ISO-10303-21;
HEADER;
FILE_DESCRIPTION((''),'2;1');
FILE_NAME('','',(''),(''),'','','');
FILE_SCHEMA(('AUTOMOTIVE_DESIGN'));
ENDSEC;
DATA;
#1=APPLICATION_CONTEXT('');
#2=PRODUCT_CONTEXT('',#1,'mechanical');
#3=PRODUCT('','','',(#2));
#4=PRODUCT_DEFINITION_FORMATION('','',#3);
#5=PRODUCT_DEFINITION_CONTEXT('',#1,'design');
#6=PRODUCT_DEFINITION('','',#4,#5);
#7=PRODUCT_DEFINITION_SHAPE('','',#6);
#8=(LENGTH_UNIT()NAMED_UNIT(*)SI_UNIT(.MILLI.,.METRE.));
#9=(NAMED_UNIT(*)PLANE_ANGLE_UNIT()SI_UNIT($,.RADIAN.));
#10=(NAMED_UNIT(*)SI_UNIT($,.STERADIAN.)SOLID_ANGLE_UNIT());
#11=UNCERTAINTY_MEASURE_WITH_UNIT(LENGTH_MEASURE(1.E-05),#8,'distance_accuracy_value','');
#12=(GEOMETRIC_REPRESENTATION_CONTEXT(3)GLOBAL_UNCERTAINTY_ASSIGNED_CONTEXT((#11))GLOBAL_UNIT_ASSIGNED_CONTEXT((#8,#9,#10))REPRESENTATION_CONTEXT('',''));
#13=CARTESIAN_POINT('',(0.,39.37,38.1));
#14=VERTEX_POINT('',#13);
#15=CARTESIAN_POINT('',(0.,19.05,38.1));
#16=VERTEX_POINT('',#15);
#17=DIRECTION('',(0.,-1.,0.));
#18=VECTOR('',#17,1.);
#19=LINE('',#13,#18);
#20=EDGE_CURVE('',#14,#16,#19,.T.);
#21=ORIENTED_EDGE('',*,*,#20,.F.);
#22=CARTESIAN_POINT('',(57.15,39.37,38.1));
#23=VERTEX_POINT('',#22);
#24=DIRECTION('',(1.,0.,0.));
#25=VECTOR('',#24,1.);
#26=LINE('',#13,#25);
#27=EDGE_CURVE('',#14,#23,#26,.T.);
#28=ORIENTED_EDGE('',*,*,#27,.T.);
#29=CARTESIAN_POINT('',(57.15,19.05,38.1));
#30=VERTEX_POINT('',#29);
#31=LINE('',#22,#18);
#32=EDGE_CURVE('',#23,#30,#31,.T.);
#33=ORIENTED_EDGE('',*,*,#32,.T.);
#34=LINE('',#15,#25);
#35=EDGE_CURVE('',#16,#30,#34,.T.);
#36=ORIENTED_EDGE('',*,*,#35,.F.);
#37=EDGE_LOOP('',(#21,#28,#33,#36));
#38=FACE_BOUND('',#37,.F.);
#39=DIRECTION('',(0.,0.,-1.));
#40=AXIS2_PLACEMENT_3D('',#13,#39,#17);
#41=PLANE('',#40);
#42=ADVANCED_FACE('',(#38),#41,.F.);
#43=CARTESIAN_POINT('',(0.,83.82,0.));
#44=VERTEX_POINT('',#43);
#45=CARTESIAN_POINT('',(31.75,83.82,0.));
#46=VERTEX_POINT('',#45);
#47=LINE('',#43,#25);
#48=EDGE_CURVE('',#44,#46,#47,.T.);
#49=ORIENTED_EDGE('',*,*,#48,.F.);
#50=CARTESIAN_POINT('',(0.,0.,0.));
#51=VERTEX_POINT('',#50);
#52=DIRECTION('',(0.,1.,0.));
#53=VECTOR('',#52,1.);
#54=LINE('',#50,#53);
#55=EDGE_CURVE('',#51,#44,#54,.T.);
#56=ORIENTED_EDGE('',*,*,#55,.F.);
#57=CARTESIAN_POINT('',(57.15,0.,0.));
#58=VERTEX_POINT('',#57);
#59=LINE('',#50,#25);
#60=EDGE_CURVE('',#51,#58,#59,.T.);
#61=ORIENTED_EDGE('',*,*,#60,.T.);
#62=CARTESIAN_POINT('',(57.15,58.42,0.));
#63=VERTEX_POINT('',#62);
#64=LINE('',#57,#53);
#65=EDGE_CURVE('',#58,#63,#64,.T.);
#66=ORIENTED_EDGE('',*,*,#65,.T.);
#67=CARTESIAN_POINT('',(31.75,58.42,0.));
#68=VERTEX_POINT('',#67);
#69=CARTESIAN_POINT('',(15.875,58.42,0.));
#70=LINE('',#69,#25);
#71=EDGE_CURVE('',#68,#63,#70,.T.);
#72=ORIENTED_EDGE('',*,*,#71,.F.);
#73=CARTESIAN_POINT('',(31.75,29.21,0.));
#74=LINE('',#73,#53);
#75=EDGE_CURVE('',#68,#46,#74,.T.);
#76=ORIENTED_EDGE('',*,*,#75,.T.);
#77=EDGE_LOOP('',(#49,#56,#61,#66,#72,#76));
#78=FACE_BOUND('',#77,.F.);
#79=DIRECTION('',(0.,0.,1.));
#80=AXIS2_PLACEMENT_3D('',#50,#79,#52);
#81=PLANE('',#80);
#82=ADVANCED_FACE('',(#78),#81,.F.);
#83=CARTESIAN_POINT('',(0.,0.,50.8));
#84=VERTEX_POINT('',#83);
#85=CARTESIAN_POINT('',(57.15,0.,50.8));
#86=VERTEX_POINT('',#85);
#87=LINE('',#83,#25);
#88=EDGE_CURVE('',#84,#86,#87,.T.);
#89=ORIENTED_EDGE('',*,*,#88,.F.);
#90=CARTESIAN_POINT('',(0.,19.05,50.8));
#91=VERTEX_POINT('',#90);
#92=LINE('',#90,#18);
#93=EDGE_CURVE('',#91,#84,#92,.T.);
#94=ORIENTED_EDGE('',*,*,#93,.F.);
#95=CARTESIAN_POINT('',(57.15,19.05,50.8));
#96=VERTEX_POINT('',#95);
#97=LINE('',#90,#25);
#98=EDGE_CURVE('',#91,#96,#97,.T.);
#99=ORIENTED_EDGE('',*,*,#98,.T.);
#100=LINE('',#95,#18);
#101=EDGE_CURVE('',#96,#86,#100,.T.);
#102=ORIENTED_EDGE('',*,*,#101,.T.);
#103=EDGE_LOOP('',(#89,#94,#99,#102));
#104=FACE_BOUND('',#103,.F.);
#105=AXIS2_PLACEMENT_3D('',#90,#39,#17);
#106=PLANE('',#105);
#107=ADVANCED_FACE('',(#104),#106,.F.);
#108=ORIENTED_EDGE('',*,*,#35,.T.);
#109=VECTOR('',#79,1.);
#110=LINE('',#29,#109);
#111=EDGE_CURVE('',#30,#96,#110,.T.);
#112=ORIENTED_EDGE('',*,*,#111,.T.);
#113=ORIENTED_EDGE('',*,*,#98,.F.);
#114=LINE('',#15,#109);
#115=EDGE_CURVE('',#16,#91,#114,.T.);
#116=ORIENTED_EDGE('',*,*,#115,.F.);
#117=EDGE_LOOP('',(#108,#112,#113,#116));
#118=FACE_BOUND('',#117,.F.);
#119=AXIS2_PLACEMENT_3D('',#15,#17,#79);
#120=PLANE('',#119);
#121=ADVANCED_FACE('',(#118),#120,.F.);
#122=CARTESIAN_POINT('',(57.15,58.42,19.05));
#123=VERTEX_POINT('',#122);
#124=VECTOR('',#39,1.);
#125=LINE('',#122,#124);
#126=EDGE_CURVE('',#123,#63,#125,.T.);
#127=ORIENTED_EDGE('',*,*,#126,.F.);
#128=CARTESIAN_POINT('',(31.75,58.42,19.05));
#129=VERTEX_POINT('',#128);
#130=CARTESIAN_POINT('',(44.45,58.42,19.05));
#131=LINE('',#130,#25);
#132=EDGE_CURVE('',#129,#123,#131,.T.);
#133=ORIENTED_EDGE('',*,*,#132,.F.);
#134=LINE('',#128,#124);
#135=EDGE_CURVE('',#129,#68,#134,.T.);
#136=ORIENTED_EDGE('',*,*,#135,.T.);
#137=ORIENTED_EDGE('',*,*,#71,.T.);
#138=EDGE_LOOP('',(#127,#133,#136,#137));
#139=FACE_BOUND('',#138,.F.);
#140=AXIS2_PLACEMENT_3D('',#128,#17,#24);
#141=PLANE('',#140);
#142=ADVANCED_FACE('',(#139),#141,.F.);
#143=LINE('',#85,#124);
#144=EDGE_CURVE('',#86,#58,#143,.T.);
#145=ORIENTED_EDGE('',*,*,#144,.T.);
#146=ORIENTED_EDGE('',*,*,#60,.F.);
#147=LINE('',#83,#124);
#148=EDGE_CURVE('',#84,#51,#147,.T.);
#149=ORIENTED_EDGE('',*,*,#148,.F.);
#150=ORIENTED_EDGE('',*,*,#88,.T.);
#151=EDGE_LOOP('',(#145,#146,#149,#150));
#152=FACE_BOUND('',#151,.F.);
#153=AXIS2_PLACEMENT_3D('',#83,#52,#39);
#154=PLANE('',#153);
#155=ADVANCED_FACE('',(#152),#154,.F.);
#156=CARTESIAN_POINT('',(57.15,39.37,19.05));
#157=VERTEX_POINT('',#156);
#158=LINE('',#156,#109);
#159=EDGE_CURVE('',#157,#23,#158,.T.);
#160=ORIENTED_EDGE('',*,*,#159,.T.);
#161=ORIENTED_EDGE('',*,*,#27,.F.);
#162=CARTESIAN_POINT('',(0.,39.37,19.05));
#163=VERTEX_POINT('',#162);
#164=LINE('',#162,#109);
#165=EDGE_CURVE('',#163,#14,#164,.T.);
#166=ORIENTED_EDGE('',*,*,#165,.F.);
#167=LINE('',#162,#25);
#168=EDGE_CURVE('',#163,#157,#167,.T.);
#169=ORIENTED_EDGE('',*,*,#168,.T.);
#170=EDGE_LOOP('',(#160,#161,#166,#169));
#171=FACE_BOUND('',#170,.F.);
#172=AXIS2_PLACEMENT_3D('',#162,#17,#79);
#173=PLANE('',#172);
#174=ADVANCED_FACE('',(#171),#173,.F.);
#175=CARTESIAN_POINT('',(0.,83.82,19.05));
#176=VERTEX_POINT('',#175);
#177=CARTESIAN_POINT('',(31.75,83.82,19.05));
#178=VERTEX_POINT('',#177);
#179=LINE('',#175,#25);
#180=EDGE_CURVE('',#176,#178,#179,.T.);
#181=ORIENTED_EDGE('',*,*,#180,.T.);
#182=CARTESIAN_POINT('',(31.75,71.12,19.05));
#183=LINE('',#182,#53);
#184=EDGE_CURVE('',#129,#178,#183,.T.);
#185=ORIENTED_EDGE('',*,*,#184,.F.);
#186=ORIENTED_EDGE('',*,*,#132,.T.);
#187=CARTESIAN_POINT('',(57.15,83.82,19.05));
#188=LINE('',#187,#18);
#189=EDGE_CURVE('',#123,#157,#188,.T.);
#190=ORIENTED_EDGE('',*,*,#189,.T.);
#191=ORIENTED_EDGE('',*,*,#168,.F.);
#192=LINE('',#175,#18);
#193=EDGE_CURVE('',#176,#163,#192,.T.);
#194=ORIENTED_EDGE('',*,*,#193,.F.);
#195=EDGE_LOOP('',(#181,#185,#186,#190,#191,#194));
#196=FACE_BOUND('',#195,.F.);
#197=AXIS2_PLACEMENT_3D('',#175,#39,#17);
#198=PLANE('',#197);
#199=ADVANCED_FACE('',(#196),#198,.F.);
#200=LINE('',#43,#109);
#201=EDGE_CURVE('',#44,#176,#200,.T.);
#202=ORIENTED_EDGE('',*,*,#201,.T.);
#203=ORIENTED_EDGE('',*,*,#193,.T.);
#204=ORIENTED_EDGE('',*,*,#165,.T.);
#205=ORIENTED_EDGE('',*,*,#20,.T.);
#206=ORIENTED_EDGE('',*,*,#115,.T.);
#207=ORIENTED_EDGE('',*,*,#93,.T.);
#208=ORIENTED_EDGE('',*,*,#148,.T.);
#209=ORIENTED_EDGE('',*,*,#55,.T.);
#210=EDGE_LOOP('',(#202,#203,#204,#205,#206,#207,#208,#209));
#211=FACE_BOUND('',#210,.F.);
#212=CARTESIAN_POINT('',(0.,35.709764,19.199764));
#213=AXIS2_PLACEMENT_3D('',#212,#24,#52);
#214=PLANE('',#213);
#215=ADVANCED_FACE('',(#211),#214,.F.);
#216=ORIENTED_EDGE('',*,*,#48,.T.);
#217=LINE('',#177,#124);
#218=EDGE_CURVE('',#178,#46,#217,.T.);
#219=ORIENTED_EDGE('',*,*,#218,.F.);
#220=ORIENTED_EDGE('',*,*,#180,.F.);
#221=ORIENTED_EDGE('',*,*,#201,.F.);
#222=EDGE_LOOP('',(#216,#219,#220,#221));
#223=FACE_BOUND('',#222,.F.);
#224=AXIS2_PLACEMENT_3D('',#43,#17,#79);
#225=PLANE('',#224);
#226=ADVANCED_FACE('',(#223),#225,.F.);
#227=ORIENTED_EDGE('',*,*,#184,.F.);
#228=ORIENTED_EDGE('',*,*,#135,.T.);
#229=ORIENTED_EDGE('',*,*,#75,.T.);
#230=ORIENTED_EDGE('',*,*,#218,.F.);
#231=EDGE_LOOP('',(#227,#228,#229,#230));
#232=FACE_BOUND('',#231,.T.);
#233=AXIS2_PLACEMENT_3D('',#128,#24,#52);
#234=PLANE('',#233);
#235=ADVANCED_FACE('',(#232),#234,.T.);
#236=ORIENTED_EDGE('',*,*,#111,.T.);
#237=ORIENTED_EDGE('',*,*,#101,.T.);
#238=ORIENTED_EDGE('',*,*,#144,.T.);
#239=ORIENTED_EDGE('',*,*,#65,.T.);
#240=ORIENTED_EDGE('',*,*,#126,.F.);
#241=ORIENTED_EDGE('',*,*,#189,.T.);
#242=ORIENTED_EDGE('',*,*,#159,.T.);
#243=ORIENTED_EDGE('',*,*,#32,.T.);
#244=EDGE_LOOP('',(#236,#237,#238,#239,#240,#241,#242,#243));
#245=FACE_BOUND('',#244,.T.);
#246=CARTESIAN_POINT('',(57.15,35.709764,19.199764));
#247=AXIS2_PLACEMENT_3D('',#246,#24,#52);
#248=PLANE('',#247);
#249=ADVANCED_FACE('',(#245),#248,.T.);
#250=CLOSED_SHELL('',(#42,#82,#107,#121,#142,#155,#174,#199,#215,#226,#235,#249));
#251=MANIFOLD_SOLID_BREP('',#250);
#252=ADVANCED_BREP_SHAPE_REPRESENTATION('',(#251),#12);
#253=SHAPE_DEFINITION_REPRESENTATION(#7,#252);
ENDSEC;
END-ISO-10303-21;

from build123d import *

# Parameters (mm, degrees)
F1_DEPTH = 57.15
F2_W     = 25.4
F2_H     = 25.4
F3_DEPTH = 19.051


with BuildPart() as f1:
    # F0 (on Right) → F1 (new body)
    with BuildSketch(Plane.YZ):
        Polygon((0, 50.8), (0, 0), (83.82, 0), (83.82, 19.05), (39.37, 19.05), (39.37, 38.1), (19.05, 38.1), (19.05, 50.8), align=None)
    extrude(amount=F1_DEPTH)

    # F2 (on face) → F3 (cut, through all)
    with BuildSketch(Plane.XY.offset(19.05)):
        with Locations((44.45, 71.12)):
            Rectangle(F2_W, F2_H)
    extrude(amount=-F3_DEPTH, mode=Mode.SUBTRACT)


solid = f1.part
